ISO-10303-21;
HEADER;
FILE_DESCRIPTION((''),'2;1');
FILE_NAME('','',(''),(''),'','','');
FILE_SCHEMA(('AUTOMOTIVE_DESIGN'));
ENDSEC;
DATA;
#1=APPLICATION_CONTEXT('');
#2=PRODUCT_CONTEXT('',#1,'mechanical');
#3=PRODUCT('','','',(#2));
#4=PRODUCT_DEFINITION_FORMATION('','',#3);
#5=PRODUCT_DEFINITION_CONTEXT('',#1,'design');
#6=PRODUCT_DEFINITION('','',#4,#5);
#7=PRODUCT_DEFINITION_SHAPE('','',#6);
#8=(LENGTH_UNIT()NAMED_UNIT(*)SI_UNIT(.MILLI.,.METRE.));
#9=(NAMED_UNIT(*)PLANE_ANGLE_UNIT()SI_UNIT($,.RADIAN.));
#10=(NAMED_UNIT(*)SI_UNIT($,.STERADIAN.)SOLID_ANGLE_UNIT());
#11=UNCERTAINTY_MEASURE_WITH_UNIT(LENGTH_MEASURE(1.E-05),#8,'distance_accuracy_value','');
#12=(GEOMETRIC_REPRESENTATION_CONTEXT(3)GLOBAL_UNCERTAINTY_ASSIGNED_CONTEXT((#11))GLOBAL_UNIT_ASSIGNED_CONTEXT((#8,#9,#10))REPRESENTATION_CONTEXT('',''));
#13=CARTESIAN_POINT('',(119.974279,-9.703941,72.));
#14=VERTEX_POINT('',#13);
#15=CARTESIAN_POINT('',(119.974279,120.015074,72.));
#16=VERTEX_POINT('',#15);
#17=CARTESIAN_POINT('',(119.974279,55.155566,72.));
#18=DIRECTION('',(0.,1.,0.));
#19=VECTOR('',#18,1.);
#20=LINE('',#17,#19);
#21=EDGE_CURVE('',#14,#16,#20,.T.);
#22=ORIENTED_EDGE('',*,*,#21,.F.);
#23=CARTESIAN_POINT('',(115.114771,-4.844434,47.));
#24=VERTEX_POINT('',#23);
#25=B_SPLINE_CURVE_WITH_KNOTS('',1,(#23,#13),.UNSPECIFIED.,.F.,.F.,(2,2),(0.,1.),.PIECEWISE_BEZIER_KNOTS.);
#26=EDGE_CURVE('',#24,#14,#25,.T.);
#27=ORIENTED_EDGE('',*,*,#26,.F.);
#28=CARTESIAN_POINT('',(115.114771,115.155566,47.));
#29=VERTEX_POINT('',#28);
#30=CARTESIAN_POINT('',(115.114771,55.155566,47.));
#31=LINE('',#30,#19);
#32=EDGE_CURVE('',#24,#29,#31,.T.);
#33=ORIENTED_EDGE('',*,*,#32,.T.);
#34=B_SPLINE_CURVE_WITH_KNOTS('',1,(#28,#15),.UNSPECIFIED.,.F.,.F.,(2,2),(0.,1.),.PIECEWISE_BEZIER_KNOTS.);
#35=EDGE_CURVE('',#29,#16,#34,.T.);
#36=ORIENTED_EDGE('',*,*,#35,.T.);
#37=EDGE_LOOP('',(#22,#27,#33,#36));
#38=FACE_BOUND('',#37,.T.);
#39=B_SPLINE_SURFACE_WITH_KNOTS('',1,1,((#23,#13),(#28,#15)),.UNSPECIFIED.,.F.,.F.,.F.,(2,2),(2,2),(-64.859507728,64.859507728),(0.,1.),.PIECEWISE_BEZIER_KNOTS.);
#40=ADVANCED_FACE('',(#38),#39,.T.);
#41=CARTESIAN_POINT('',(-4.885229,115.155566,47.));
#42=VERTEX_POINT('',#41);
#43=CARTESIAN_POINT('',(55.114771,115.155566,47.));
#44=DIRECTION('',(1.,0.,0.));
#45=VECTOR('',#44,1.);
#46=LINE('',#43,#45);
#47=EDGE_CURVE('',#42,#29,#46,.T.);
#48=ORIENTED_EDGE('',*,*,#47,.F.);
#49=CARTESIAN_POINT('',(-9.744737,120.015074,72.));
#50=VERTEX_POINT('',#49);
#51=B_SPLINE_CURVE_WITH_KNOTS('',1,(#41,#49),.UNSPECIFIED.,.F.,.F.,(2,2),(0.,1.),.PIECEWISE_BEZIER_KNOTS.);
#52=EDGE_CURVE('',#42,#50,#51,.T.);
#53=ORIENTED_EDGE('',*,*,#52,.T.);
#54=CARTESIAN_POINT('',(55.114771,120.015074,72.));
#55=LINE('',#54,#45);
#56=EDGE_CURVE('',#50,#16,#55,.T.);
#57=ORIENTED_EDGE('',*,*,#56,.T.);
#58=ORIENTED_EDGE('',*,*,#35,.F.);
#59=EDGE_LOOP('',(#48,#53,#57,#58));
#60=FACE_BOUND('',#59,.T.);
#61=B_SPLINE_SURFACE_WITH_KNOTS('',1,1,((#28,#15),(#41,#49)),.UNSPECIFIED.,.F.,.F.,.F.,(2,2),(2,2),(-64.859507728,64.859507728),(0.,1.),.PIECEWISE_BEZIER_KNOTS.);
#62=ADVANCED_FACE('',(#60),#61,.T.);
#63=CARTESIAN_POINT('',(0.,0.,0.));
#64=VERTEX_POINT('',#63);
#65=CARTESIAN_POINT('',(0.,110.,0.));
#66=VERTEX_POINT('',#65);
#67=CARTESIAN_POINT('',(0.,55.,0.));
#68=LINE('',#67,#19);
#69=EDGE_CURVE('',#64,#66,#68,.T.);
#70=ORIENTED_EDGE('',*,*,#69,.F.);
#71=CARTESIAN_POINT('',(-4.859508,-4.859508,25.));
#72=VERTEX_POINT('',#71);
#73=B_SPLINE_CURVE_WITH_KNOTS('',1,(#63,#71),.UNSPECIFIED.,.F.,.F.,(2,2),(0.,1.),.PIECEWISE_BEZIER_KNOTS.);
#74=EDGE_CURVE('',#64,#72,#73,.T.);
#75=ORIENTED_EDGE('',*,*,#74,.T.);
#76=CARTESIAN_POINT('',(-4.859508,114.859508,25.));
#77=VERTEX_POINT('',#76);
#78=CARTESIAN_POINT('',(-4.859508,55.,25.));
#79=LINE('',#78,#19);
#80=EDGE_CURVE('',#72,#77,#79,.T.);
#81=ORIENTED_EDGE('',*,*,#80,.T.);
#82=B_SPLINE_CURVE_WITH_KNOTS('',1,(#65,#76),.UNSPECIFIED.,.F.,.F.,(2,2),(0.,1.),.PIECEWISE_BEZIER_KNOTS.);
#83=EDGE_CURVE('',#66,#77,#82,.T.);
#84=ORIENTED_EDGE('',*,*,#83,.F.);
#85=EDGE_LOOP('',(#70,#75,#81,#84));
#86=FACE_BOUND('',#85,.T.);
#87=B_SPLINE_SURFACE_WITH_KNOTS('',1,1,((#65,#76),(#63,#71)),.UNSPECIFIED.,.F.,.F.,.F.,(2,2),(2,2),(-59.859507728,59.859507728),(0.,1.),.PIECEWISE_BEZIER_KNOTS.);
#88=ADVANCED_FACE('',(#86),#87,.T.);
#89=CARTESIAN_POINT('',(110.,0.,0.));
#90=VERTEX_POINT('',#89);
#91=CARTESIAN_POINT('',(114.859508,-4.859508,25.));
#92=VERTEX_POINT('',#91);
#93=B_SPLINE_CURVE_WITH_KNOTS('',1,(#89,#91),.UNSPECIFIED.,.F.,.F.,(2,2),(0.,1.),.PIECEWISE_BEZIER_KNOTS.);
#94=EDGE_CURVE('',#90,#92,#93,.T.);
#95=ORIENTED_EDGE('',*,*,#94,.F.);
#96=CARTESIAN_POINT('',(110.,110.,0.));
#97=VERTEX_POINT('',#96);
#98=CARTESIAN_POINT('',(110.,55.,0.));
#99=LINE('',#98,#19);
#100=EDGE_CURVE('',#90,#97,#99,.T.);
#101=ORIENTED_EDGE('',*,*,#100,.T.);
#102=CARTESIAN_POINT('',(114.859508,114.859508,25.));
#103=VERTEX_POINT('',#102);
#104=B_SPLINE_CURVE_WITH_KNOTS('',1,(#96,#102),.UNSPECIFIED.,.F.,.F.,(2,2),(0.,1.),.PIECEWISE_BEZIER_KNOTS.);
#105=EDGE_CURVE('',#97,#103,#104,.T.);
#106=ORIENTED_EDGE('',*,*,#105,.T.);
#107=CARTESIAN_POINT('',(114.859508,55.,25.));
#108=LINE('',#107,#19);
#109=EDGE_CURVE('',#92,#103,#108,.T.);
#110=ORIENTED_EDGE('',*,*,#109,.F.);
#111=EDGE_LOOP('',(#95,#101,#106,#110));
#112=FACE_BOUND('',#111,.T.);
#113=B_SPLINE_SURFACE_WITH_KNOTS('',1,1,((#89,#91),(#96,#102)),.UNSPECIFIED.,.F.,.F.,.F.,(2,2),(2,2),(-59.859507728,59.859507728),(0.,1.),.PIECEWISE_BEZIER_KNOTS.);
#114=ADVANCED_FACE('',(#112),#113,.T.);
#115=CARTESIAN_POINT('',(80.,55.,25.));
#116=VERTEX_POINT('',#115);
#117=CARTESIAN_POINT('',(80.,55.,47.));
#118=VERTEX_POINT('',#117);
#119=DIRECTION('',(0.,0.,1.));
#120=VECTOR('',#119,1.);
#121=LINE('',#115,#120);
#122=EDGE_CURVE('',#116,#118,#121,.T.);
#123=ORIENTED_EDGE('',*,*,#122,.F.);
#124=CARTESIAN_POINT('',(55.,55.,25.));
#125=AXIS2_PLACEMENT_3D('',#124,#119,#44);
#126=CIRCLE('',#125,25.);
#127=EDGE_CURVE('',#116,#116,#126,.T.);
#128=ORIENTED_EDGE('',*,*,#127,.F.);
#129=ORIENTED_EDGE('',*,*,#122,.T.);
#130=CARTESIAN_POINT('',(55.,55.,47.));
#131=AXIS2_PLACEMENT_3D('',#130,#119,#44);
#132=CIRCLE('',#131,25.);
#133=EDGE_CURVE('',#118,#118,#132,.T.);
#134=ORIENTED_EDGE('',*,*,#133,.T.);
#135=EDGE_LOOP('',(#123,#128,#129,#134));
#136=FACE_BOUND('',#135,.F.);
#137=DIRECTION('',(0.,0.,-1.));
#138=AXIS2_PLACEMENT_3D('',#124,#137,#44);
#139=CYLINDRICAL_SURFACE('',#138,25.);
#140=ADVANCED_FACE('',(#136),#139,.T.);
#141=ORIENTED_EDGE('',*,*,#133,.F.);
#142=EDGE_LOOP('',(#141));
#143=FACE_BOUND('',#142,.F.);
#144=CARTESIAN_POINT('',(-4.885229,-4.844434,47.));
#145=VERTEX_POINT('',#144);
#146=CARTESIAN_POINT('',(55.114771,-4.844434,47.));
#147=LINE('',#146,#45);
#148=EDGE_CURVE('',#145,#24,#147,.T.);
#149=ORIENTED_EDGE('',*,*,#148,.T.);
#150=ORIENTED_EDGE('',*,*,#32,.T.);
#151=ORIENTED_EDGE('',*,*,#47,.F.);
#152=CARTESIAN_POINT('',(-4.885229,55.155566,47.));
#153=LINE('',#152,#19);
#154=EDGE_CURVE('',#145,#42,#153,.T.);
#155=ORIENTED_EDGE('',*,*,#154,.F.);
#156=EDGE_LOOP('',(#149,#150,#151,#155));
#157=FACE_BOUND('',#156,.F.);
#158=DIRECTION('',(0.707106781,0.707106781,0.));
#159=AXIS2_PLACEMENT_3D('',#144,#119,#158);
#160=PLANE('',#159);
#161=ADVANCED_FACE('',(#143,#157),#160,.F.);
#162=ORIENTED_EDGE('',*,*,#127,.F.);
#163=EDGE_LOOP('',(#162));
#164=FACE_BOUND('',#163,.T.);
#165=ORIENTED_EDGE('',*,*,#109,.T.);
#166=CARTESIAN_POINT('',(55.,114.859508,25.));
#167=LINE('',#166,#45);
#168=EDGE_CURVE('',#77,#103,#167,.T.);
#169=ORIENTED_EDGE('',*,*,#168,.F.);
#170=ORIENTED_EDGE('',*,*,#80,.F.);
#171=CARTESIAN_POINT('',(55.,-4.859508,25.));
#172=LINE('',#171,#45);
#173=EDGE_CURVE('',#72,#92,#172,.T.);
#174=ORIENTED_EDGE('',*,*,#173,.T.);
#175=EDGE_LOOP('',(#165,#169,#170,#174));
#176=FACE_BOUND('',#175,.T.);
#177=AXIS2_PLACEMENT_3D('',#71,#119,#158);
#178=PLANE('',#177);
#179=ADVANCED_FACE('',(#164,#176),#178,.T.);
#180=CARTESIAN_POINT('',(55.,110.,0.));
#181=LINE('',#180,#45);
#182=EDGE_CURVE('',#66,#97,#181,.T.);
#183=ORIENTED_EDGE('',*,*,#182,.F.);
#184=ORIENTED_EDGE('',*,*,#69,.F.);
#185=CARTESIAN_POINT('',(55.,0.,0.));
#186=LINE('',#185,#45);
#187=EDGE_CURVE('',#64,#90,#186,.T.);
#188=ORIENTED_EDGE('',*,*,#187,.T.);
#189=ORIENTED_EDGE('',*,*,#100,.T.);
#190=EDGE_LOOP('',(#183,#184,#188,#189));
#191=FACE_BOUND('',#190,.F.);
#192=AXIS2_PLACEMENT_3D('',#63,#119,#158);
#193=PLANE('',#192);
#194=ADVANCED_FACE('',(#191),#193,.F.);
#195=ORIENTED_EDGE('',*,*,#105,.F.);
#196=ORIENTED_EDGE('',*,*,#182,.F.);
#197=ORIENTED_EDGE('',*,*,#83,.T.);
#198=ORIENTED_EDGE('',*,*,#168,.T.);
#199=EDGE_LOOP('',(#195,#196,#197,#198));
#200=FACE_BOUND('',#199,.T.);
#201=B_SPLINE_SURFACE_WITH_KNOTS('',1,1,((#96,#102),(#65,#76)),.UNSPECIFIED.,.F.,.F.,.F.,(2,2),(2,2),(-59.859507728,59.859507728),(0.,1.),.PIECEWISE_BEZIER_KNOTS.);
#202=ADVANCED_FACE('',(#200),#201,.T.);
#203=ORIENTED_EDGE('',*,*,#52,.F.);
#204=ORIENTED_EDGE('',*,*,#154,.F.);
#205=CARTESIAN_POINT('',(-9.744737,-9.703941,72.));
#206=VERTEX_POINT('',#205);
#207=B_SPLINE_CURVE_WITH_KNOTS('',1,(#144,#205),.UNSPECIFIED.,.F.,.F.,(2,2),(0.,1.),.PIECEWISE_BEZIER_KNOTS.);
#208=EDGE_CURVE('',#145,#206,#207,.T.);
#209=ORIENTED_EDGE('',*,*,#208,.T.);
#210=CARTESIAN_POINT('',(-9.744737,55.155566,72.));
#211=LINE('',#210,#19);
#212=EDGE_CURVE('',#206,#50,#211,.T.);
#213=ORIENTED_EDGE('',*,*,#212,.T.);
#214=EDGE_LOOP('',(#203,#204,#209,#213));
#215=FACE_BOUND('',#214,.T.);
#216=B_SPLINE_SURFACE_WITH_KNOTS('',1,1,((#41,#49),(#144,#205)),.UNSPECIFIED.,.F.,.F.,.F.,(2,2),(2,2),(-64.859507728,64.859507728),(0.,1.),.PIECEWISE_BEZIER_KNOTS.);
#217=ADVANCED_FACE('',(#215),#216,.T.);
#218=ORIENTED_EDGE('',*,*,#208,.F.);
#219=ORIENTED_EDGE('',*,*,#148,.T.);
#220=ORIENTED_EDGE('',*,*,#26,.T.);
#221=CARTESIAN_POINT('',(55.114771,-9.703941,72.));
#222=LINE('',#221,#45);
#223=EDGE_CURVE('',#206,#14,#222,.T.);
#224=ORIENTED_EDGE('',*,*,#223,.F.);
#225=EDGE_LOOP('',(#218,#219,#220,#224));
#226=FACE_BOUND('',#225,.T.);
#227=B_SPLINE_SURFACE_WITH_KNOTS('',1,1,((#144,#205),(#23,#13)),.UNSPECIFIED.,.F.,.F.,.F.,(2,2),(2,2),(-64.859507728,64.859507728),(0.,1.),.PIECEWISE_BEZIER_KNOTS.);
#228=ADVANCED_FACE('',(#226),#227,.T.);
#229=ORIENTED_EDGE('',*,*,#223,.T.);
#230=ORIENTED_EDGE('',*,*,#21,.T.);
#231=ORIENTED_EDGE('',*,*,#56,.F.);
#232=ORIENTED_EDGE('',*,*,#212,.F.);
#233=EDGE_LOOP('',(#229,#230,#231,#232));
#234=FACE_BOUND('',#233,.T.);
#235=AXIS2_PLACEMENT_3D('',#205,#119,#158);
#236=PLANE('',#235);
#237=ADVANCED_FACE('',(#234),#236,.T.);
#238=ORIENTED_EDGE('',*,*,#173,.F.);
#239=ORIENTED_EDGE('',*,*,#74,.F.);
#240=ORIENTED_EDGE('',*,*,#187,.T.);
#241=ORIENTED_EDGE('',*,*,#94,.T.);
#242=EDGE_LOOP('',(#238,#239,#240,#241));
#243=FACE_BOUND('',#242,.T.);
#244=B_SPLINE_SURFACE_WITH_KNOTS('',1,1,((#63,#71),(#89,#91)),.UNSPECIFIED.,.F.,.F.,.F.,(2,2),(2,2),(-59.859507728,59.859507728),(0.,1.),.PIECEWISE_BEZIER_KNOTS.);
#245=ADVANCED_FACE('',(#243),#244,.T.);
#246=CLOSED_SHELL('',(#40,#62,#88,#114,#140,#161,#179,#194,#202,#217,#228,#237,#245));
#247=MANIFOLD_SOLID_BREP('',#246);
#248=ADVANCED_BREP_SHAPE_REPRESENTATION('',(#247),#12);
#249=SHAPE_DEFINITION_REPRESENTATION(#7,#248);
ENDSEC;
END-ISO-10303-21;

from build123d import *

# Parameters (mm, degrees)
F0_W     = 110
F0_H     = 110
F1_DEPTH = 25
F1_TAPER = -11
F2_R     = 25
F3_DEPTH = 22
F4_W     = 120
F4_H     = 120
F4_R     = 25
F5_DEPTH = 25
F5_TAPER = -11


with BuildPart() as f1:
    # F0 (on Top) → F1 (new body)
    with BuildSketch(Plane.XY):
        with Locations((55, 55)):
            Rectangle(F0_W, F0_H)
    extrude(amount=F1_DEPTH, taper=F1_TAPER)

    # F2 (on face) → F3 (join)
    with BuildSketch(Plane.XY.offset(25)):
        with Locations((55, 55)):
            Circle(F2_R)
    extrude(amount=F3_DEPTH)

    # F4 (on face) → F5 (join)
    with BuildSketch(Plane.XY.offset(47)):
        with Locations((55.1147708297, 55.155566372)):
            Rectangle(F4_W, F4_H)
        with Locations((55, 55)):
            Circle(F4_R, mode=Mode.SUBTRACT)
        with Locations((55, 55)):
            Circle(F4_R)
    extrude(amount=F5_DEPTH, taper=F5_TAPER)


solid = f1.part
